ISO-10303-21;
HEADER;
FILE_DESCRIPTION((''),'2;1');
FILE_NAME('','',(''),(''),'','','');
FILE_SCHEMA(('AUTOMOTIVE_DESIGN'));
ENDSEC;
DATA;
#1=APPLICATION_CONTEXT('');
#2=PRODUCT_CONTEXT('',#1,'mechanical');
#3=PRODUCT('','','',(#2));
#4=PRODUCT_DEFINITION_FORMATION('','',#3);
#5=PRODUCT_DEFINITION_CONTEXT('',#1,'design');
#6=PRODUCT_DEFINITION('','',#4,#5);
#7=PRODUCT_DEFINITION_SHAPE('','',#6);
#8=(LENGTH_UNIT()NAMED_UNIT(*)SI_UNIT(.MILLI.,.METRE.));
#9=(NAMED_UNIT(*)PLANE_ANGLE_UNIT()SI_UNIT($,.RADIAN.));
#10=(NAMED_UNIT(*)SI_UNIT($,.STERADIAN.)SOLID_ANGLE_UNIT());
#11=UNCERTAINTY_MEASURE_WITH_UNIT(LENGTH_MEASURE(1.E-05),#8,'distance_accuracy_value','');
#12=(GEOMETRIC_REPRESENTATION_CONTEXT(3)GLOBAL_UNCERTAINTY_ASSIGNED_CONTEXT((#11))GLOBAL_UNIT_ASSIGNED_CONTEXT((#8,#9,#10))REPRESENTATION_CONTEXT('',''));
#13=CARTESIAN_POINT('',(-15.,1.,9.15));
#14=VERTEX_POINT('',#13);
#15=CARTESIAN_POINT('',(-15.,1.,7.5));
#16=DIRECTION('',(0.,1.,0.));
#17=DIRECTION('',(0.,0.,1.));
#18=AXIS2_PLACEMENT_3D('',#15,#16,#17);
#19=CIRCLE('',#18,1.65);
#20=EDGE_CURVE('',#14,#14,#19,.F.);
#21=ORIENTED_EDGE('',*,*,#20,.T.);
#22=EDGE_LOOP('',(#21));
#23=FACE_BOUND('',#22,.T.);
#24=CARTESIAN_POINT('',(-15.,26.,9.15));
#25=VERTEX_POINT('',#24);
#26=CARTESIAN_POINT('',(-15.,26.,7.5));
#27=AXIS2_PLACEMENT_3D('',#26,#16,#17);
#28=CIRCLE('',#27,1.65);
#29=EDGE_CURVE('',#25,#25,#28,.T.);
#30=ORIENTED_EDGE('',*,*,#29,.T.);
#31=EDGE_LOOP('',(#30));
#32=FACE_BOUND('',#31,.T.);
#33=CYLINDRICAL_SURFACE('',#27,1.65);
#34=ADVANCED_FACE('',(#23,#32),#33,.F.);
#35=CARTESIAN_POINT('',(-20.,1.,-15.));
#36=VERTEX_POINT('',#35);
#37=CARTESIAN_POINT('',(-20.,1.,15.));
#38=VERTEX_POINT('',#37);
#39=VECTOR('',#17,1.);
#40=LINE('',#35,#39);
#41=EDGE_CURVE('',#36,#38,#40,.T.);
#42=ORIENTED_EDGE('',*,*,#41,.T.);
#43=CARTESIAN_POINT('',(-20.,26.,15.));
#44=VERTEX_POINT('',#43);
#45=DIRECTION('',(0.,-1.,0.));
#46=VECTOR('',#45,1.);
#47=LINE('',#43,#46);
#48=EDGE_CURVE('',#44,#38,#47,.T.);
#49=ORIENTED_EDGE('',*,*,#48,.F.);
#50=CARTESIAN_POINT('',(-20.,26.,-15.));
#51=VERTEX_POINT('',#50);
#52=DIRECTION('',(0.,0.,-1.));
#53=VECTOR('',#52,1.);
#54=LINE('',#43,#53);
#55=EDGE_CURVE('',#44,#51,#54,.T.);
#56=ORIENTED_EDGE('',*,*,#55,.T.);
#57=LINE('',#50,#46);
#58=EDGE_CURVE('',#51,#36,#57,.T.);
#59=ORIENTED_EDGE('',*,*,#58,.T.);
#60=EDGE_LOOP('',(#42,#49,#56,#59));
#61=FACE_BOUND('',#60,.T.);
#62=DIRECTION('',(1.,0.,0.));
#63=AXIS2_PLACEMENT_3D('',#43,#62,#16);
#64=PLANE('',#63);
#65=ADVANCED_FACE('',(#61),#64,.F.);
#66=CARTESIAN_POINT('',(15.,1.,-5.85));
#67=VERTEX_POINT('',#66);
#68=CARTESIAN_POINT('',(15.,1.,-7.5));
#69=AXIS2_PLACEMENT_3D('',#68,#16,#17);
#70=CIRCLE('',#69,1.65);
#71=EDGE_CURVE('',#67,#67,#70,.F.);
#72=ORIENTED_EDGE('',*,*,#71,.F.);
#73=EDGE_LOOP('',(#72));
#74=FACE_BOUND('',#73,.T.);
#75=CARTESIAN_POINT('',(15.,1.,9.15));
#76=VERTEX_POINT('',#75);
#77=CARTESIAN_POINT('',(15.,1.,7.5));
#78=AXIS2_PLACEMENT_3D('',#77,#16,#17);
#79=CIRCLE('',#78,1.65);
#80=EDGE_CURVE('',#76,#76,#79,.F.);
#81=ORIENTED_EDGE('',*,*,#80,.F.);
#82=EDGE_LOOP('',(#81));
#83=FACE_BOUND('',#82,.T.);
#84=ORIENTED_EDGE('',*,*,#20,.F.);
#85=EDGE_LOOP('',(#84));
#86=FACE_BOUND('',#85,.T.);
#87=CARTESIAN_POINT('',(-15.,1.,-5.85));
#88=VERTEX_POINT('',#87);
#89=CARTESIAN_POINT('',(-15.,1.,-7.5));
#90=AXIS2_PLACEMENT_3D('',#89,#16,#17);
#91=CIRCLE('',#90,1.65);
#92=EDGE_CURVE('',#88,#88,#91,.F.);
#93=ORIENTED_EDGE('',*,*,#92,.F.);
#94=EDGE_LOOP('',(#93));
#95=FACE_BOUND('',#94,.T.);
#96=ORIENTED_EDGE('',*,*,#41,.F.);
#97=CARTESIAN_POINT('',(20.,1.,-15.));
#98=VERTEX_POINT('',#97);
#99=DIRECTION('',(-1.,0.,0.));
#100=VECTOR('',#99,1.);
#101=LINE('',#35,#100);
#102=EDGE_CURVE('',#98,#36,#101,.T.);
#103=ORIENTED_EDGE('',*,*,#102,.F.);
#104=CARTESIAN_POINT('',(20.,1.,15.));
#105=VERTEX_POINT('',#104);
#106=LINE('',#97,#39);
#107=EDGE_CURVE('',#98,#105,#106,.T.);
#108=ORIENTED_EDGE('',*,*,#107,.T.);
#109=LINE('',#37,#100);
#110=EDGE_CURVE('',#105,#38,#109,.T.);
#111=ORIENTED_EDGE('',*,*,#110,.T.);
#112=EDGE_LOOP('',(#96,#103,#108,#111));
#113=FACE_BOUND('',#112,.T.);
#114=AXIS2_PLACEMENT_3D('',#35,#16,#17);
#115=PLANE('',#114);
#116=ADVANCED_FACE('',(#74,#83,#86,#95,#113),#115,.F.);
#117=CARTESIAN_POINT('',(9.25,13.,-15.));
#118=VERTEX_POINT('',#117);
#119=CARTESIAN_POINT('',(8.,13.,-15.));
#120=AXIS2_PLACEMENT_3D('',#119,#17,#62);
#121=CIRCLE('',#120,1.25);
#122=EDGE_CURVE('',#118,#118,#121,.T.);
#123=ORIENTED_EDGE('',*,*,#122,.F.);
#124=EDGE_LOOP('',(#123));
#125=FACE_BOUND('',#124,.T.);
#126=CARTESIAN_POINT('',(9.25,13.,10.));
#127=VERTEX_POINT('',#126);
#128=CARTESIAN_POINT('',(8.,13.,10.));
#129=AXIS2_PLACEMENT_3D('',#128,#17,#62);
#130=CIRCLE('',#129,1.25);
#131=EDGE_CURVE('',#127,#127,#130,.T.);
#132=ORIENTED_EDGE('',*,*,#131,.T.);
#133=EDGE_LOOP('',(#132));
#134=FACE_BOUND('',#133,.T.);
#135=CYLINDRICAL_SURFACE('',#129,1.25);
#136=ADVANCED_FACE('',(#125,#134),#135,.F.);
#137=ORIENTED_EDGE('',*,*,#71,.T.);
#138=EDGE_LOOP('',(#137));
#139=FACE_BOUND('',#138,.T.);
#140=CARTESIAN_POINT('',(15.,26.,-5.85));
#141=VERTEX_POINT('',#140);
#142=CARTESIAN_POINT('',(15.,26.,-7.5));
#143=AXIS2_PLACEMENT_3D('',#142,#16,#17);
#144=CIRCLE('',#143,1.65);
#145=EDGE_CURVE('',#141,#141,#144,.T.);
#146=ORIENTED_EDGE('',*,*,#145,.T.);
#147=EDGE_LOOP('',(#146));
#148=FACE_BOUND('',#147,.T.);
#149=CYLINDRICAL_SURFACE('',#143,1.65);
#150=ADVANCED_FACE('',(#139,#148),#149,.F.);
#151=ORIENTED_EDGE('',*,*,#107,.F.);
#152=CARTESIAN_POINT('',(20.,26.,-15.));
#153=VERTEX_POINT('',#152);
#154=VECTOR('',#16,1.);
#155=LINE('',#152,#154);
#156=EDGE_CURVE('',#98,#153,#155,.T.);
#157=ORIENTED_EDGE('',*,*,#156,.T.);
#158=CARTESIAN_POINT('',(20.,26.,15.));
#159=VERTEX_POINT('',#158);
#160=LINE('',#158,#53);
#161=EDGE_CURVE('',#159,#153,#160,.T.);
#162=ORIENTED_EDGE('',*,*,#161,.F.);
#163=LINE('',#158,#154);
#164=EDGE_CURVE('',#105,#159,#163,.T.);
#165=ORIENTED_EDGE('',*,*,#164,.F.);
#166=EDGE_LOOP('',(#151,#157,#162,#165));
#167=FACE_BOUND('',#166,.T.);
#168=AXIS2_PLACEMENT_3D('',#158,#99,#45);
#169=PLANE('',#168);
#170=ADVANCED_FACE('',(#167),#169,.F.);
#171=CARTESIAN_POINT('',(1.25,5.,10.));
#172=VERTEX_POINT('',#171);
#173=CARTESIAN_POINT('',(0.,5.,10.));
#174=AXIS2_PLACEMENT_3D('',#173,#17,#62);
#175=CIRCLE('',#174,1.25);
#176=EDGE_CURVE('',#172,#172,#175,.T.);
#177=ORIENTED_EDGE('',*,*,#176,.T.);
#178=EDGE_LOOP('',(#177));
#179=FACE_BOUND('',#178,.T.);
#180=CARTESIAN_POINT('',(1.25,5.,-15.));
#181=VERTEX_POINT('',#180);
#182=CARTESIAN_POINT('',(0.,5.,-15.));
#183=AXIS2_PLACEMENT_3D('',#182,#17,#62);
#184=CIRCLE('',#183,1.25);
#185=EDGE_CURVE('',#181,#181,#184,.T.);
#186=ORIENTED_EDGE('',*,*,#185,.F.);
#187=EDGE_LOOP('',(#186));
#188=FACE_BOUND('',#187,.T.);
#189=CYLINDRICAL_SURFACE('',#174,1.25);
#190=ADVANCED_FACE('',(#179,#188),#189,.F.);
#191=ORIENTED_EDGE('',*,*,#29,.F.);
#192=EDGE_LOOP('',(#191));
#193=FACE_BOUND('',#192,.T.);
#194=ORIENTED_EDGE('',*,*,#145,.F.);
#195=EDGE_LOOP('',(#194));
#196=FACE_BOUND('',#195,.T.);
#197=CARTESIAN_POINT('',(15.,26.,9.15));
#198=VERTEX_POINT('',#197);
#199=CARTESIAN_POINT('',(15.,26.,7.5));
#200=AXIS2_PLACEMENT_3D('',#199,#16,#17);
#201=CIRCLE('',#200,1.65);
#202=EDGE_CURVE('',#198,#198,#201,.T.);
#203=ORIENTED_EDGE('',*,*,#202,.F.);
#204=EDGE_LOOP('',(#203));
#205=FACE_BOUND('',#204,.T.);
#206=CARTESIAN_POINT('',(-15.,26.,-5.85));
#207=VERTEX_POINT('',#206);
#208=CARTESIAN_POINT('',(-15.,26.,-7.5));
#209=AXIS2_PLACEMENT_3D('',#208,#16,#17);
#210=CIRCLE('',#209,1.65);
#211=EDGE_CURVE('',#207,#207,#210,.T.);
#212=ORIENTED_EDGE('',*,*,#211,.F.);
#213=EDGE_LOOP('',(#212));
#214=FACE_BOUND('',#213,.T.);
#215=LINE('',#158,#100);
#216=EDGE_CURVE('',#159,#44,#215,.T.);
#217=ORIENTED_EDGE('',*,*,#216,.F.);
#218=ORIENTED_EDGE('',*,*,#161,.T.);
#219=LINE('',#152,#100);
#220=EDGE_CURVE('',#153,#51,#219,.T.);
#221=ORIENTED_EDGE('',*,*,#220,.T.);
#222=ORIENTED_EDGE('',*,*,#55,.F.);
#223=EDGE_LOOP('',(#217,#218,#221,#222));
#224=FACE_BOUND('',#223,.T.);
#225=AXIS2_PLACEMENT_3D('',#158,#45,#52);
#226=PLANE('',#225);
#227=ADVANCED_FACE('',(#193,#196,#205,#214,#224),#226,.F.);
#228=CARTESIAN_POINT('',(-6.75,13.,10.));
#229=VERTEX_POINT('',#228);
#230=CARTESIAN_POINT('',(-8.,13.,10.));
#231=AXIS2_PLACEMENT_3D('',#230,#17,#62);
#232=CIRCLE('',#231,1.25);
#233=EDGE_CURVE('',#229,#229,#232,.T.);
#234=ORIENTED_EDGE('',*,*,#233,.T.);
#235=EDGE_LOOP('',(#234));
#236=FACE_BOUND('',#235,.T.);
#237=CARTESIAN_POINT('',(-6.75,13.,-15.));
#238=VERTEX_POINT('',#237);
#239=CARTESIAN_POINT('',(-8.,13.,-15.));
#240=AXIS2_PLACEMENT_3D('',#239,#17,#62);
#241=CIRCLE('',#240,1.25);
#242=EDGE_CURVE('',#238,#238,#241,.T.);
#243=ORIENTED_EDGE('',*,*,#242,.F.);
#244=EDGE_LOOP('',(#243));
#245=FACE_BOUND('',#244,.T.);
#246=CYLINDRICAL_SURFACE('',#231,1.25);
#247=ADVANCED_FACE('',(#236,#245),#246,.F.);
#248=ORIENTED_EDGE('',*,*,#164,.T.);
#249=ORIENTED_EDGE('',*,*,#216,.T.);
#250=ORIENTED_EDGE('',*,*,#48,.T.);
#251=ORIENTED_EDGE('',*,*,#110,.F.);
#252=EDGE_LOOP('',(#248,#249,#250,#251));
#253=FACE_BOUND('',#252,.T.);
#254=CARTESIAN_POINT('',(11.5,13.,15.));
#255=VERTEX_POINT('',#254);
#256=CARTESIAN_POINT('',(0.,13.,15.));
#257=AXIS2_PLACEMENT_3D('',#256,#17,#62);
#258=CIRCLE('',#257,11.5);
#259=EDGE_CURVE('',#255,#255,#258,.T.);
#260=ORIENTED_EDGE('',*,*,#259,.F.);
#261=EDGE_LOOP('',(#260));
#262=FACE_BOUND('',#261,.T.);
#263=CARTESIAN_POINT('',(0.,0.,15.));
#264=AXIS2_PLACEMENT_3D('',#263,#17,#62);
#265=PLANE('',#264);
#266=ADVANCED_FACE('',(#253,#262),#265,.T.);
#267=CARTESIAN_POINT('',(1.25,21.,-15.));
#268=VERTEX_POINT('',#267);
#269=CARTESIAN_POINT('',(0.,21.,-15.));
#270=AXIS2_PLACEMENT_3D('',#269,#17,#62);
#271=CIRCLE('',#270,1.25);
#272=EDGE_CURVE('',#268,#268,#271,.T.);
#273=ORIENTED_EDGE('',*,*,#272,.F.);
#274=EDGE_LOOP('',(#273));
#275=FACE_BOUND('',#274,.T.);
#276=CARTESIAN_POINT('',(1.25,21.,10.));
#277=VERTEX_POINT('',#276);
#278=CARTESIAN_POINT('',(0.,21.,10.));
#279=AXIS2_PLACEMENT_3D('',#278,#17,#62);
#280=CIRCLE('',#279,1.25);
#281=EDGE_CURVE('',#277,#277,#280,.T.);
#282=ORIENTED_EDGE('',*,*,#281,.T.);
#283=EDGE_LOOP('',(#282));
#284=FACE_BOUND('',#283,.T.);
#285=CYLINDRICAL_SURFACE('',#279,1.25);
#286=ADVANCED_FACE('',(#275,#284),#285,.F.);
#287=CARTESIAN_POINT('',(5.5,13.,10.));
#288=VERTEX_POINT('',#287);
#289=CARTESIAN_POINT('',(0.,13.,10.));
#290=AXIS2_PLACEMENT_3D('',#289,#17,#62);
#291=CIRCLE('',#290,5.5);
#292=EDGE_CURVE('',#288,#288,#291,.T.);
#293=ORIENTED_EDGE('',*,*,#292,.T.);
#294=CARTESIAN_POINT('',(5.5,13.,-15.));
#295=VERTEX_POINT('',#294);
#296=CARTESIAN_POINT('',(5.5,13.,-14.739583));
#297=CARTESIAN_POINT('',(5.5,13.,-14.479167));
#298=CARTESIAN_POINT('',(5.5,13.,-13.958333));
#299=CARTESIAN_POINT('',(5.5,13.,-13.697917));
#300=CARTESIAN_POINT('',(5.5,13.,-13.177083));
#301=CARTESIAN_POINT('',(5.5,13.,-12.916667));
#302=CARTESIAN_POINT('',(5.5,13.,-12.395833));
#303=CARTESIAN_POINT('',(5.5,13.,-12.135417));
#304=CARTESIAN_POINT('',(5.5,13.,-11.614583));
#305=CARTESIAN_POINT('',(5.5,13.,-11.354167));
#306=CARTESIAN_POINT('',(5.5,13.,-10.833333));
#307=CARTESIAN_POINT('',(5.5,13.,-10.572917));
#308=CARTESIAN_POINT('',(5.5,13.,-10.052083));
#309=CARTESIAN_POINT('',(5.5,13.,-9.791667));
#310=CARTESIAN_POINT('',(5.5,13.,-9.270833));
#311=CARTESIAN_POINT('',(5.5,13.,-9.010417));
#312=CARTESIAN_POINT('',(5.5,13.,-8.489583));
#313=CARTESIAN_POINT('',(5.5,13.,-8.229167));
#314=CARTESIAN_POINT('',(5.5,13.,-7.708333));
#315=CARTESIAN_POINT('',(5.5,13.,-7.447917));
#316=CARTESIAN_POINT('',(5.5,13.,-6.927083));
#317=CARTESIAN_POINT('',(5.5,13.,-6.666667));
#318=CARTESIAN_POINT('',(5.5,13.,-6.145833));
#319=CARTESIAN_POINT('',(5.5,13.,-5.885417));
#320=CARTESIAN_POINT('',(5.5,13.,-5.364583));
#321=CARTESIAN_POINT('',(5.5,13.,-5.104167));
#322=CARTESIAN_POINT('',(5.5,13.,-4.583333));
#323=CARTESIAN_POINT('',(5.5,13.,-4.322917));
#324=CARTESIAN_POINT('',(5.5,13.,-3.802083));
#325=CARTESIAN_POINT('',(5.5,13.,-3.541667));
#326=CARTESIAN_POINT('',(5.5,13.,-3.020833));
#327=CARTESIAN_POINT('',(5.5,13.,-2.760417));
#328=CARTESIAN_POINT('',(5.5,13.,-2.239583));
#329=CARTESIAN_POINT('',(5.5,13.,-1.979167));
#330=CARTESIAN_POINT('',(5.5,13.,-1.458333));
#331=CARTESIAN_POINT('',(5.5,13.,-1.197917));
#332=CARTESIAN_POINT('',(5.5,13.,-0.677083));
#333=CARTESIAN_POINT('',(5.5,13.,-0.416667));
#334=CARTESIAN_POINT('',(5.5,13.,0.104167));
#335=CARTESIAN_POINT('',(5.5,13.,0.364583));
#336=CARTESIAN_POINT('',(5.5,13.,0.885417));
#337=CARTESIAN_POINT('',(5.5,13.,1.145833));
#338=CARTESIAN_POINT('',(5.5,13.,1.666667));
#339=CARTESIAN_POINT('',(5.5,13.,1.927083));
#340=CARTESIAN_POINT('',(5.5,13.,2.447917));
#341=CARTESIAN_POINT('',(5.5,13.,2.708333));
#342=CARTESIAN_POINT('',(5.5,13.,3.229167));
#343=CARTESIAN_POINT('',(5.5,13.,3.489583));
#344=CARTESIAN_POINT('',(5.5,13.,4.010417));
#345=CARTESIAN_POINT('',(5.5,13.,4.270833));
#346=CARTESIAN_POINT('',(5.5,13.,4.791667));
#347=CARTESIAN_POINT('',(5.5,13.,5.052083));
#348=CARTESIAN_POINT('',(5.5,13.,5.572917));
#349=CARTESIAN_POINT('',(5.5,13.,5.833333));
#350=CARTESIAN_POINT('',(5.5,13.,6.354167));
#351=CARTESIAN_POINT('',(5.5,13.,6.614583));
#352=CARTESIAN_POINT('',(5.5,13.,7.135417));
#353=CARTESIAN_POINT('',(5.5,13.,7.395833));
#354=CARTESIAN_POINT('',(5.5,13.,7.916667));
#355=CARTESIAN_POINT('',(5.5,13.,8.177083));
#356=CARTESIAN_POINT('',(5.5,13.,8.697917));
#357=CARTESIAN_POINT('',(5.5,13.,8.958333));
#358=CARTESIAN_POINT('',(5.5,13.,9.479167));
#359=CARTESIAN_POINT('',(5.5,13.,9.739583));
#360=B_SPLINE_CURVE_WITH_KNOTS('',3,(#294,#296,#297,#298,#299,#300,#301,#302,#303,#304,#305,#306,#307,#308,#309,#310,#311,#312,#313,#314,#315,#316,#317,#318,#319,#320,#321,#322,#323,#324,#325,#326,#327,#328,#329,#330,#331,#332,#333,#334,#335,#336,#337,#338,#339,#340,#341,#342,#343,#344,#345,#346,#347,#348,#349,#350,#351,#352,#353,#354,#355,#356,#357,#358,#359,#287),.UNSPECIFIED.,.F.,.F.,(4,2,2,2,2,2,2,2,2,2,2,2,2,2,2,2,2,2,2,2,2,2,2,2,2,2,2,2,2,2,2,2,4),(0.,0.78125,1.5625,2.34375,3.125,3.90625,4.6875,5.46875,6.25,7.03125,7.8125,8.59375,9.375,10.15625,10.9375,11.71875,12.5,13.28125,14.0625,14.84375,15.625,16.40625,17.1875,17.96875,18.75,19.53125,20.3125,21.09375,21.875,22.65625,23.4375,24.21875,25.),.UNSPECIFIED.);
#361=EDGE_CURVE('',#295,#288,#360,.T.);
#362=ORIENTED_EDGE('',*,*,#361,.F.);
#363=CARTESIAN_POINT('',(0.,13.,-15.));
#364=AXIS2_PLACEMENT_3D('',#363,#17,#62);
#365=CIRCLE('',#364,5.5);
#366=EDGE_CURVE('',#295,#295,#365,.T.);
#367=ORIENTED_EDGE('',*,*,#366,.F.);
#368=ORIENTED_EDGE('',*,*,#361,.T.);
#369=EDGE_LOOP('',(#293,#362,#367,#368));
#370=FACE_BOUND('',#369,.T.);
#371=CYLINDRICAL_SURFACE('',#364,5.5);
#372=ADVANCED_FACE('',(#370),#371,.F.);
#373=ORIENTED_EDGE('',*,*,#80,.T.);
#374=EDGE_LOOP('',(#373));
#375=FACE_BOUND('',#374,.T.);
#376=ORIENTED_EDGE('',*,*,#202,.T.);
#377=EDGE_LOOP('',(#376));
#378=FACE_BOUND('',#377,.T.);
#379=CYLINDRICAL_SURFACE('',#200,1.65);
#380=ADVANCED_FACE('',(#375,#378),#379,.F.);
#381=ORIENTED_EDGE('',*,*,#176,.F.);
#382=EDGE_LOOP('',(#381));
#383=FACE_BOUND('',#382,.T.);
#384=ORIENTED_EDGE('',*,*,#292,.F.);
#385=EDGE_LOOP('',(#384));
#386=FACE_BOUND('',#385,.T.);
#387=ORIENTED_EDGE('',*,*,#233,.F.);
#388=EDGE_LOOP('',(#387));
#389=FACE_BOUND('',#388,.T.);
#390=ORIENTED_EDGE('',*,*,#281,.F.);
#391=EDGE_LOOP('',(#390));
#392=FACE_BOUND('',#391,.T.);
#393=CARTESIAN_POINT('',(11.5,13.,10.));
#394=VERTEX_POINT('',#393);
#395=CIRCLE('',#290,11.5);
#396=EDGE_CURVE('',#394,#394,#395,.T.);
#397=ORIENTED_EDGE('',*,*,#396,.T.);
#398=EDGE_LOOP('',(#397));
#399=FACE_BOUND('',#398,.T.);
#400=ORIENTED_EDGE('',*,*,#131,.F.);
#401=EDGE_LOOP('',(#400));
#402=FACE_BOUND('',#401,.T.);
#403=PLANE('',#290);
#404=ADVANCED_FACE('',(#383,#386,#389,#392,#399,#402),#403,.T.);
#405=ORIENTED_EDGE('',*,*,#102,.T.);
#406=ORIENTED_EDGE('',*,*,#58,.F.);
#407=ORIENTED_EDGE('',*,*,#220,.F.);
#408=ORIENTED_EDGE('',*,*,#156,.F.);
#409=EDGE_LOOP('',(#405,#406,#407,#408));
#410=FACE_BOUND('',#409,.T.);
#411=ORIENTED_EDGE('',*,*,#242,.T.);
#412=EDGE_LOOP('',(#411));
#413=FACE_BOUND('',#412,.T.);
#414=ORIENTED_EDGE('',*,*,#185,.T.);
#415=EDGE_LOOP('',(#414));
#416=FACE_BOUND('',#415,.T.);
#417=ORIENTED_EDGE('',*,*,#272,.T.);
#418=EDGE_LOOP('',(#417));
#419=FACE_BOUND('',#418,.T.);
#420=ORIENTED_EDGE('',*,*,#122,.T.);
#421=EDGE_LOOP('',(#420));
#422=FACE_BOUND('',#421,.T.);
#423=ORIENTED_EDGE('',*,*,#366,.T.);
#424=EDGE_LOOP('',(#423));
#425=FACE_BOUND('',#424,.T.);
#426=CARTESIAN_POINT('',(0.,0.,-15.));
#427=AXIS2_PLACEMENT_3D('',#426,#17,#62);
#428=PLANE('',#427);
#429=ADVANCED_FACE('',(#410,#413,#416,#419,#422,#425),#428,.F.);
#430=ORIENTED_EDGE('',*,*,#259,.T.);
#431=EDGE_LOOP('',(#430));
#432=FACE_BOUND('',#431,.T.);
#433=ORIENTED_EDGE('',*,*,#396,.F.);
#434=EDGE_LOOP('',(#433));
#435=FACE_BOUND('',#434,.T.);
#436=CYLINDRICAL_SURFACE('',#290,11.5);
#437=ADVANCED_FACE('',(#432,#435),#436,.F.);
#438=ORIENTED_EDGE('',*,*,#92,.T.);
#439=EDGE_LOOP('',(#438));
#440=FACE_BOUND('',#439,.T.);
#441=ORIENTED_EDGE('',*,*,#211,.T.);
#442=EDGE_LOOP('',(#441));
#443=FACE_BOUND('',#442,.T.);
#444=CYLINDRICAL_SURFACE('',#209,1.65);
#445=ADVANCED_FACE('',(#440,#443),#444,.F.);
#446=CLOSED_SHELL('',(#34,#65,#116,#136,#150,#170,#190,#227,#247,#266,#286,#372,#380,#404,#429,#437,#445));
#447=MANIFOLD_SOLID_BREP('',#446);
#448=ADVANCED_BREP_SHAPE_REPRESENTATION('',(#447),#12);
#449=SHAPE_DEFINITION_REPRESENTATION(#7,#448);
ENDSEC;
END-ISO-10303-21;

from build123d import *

# Parameters (mm, degrees)
SKETCH1_W           = 40
SKETCH1_H           = 26
BOSS_EXTRUDE1_DEPTH = 15
SKETCH2_R           = 11.5
CUT_EXTRUDE1_DEPTH  = 5
SKETCH3_R           = 5.5
CUT_EXTRUDE2_DEPTH  = 42.243181255
M4_TAPPED_HOLE1_D   = 3.3
M3_TAPPED_HOLE2_D   = 2.5
SKETCH9_W           = 40
SKETCH9_H           = 1
CUT_EXTRUDE4_DEPTH  = 45.452221542


with BuildPart() as part:
    # Sketch1 → Boss-Extrude1 (new, symmetric)
    with BuildSketch(Plane.XY):
        with Locations((0, 13)):
            Rectangle(SKETCH1_W, SKETCH1_H)
    extrude(amount=BOSS_EXTRUDE1_DEPTH, both=True)

    # Sketch2 → Cut-Extrude1 (cut)
    with BuildSketch(Plane.XY.offset(15)):
        with Locations((0, 13)):
            Circle(SKETCH2_R)
    extrude(amount=-CUT_EXTRUDE1_DEPTH, mode=Mode.SUBTRACT)

    # Sketch3 → Cut-Extrude2 (cut, through all)
    with BuildSketch(Plane.XY.offset(10)):
        with Locations((0, 13)):
            Circle(SKETCH3_R)
    extrude(amount=-CUT_EXTRUDE2_DEPTH, mode=Mode.SUBTRACT)

    # M4 Tapped Hole1 (through all)
    with Locations(Plane(origin=(0, 26, 0), x_dir=(1, 0, 0), z_dir=(0, 1, 0))):
        with Locations((-15, 7.5), (15, 7.5), (15, -7.5), (-15, -7.5)):
            Hole(M4_TAPPED_HOLE1_D / 2)

    # M3 Tapped Hole2 (through all)
    with Locations(Plane.XY.offset(10)):
        with Locations((0, 13), (0, 21), (0, 5), (-8, 13), (8, 13)):
            Hole(M3_TAPPED_HOLE2_D / 2)

    # Sketch9 → Cut-Extrude4 (cut, through all)
    with BuildSketch(Plane.XY.offset(15)):
        with Locations((0, 0.5)):
            Rectangle(SKETCH9_W, SKETCH9_H)
    extrude(amount=-CUT_EXTRUDE4_DEPTH, mode=Mode.SUBTRACT)


solid = part.part
